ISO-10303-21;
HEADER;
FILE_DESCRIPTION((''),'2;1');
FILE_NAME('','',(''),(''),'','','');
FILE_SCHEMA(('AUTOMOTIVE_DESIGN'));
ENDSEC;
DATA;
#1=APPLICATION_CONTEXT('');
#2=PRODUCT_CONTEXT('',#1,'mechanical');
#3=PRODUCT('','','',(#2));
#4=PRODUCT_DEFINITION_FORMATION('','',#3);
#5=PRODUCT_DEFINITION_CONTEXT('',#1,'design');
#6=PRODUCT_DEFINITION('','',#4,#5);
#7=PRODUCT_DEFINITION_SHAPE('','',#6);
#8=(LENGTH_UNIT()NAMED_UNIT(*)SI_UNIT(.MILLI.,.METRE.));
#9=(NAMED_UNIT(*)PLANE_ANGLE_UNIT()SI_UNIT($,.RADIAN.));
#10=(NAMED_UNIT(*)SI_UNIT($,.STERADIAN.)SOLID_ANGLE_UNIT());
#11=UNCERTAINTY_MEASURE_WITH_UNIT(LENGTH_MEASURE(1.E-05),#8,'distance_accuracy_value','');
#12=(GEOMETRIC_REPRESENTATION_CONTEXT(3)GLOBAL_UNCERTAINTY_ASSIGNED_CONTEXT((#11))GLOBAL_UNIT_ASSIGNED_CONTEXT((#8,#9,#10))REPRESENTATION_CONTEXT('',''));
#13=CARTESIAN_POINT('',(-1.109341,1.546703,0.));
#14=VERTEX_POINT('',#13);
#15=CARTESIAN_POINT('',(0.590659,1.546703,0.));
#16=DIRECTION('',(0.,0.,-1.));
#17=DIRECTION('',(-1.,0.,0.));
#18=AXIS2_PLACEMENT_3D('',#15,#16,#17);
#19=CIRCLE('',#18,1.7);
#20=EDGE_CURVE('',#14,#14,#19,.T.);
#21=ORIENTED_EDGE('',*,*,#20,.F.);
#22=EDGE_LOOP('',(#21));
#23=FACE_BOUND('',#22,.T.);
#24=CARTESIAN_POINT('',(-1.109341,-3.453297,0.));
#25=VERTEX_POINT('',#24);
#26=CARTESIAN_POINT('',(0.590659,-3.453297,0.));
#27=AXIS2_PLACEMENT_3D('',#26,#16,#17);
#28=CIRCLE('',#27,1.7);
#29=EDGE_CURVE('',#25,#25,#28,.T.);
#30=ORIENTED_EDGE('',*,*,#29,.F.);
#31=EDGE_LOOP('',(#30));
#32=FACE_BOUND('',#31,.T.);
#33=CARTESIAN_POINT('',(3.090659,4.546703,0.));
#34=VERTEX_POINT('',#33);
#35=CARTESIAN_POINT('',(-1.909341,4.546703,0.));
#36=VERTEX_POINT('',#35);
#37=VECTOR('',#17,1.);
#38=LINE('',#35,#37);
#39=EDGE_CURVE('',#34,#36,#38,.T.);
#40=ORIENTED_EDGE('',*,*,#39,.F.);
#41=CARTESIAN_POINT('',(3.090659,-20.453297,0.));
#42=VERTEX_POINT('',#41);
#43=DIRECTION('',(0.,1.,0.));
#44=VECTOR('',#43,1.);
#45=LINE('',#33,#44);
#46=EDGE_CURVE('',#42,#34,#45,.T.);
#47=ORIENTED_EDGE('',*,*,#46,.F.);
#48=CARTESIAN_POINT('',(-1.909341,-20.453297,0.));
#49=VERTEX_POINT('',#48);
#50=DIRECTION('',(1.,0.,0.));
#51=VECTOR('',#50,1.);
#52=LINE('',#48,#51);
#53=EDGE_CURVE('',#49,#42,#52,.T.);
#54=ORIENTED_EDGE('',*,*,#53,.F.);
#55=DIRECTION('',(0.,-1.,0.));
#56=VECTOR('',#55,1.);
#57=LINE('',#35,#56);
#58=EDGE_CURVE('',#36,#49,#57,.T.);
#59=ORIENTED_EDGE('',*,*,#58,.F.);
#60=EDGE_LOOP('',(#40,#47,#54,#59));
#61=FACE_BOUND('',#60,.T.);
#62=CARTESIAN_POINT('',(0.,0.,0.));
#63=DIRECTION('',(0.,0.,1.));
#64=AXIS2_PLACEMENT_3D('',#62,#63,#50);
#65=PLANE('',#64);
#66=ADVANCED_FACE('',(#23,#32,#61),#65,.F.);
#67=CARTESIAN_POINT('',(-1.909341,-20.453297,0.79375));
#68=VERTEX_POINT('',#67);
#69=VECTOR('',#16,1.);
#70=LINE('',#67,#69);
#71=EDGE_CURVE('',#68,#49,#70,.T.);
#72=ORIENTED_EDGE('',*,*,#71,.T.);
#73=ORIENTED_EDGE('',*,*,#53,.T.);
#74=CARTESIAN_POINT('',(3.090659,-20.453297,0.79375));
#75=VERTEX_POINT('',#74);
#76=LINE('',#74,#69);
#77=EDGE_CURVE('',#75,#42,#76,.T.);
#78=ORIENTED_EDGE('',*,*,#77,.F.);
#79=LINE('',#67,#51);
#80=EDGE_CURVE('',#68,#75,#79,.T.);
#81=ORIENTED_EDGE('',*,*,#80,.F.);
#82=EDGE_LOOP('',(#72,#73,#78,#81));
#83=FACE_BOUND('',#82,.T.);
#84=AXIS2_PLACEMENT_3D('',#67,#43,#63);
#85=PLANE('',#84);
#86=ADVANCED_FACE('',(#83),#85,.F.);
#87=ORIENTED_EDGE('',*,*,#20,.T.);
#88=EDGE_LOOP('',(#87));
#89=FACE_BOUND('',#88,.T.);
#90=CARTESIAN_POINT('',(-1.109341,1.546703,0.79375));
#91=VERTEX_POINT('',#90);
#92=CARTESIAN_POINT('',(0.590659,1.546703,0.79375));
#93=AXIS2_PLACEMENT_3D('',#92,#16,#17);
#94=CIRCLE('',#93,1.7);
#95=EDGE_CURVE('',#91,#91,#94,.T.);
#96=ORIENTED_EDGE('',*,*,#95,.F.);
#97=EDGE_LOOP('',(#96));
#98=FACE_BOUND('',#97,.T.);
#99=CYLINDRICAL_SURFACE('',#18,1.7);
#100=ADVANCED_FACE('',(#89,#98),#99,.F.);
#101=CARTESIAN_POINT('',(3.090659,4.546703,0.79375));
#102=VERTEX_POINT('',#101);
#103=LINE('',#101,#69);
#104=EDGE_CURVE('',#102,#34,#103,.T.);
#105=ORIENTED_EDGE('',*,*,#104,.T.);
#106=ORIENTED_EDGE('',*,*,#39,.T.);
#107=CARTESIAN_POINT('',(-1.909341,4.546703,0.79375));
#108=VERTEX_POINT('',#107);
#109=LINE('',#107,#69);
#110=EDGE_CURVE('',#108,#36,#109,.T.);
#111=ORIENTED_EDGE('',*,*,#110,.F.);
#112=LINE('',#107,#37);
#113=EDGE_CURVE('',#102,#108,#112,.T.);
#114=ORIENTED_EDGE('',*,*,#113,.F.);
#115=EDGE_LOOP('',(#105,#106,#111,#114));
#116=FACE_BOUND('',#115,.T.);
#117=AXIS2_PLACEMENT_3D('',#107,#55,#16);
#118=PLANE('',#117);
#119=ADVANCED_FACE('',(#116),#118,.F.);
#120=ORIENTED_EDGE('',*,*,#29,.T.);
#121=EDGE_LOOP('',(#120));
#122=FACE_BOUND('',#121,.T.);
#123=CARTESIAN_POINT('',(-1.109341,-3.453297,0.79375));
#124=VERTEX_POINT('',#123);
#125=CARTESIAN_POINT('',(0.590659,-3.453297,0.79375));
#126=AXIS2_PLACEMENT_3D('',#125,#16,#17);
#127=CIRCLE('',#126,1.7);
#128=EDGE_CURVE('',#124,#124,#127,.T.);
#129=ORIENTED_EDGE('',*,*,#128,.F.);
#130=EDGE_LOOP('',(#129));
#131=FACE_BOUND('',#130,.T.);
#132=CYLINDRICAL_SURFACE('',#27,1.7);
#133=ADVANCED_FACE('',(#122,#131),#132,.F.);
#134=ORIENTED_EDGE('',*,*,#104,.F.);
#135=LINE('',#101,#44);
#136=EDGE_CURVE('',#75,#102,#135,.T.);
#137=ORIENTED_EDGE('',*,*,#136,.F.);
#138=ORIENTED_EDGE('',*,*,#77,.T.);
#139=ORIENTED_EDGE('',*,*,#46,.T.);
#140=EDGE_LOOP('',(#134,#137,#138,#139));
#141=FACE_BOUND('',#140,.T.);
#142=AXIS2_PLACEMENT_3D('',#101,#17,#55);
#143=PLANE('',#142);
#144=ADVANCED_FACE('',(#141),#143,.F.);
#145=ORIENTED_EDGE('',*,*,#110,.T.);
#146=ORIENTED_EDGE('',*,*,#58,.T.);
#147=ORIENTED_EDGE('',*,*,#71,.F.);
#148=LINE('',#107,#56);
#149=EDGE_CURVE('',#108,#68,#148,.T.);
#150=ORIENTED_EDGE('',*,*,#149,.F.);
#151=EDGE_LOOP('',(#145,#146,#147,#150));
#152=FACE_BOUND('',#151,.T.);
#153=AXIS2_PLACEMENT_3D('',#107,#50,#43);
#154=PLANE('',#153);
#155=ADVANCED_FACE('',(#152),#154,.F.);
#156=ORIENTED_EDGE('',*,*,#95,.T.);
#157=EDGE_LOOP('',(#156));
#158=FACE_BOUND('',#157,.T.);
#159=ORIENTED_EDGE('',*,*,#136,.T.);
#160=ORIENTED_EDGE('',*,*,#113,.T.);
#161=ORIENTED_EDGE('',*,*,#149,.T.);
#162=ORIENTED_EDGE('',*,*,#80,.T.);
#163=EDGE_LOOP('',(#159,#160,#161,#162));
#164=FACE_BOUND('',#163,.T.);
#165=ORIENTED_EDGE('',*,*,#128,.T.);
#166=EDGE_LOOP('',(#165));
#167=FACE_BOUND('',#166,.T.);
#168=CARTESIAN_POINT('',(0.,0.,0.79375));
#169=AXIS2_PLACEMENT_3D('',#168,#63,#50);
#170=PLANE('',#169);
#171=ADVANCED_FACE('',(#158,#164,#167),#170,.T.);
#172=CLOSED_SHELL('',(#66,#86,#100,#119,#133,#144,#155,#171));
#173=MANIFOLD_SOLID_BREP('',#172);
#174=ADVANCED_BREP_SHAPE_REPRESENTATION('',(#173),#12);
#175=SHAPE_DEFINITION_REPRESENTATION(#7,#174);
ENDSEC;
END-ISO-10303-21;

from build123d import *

# Parameters (mm, degrees)
SKETCH1_W            = 5
SKETCH1_H            = 25
BOSS_EXTRUDE1_DEPTH  = 0.79375
M3_CLEARANCE_HOLE1_D = 3.4


with BuildPart() as part:
    # Sketch1 → Boss-Extrude1 (new body)
    with BuildSketch(Plane.XY):
        with Locations((0.590659341, -7.953296703)):
            Rectangle(SKETCH1_W, SKETCH1_H)
    extrude(amount=BOSS_EXTRUDE1_DEPTH)

    # M3 Clearance Hole1 (through all)
    with Locations(Plane(origin=(0, 0, 0), x_dir=(-1, 0, 0), z_dir=(0, 0, -1))):
        with Locations((-0.590659341, 1.546703297), (-0.590659341, -3.453296703)):
            Hole(M3_CLEARANCE_HOLE1_D / 2)


solid = part.part
